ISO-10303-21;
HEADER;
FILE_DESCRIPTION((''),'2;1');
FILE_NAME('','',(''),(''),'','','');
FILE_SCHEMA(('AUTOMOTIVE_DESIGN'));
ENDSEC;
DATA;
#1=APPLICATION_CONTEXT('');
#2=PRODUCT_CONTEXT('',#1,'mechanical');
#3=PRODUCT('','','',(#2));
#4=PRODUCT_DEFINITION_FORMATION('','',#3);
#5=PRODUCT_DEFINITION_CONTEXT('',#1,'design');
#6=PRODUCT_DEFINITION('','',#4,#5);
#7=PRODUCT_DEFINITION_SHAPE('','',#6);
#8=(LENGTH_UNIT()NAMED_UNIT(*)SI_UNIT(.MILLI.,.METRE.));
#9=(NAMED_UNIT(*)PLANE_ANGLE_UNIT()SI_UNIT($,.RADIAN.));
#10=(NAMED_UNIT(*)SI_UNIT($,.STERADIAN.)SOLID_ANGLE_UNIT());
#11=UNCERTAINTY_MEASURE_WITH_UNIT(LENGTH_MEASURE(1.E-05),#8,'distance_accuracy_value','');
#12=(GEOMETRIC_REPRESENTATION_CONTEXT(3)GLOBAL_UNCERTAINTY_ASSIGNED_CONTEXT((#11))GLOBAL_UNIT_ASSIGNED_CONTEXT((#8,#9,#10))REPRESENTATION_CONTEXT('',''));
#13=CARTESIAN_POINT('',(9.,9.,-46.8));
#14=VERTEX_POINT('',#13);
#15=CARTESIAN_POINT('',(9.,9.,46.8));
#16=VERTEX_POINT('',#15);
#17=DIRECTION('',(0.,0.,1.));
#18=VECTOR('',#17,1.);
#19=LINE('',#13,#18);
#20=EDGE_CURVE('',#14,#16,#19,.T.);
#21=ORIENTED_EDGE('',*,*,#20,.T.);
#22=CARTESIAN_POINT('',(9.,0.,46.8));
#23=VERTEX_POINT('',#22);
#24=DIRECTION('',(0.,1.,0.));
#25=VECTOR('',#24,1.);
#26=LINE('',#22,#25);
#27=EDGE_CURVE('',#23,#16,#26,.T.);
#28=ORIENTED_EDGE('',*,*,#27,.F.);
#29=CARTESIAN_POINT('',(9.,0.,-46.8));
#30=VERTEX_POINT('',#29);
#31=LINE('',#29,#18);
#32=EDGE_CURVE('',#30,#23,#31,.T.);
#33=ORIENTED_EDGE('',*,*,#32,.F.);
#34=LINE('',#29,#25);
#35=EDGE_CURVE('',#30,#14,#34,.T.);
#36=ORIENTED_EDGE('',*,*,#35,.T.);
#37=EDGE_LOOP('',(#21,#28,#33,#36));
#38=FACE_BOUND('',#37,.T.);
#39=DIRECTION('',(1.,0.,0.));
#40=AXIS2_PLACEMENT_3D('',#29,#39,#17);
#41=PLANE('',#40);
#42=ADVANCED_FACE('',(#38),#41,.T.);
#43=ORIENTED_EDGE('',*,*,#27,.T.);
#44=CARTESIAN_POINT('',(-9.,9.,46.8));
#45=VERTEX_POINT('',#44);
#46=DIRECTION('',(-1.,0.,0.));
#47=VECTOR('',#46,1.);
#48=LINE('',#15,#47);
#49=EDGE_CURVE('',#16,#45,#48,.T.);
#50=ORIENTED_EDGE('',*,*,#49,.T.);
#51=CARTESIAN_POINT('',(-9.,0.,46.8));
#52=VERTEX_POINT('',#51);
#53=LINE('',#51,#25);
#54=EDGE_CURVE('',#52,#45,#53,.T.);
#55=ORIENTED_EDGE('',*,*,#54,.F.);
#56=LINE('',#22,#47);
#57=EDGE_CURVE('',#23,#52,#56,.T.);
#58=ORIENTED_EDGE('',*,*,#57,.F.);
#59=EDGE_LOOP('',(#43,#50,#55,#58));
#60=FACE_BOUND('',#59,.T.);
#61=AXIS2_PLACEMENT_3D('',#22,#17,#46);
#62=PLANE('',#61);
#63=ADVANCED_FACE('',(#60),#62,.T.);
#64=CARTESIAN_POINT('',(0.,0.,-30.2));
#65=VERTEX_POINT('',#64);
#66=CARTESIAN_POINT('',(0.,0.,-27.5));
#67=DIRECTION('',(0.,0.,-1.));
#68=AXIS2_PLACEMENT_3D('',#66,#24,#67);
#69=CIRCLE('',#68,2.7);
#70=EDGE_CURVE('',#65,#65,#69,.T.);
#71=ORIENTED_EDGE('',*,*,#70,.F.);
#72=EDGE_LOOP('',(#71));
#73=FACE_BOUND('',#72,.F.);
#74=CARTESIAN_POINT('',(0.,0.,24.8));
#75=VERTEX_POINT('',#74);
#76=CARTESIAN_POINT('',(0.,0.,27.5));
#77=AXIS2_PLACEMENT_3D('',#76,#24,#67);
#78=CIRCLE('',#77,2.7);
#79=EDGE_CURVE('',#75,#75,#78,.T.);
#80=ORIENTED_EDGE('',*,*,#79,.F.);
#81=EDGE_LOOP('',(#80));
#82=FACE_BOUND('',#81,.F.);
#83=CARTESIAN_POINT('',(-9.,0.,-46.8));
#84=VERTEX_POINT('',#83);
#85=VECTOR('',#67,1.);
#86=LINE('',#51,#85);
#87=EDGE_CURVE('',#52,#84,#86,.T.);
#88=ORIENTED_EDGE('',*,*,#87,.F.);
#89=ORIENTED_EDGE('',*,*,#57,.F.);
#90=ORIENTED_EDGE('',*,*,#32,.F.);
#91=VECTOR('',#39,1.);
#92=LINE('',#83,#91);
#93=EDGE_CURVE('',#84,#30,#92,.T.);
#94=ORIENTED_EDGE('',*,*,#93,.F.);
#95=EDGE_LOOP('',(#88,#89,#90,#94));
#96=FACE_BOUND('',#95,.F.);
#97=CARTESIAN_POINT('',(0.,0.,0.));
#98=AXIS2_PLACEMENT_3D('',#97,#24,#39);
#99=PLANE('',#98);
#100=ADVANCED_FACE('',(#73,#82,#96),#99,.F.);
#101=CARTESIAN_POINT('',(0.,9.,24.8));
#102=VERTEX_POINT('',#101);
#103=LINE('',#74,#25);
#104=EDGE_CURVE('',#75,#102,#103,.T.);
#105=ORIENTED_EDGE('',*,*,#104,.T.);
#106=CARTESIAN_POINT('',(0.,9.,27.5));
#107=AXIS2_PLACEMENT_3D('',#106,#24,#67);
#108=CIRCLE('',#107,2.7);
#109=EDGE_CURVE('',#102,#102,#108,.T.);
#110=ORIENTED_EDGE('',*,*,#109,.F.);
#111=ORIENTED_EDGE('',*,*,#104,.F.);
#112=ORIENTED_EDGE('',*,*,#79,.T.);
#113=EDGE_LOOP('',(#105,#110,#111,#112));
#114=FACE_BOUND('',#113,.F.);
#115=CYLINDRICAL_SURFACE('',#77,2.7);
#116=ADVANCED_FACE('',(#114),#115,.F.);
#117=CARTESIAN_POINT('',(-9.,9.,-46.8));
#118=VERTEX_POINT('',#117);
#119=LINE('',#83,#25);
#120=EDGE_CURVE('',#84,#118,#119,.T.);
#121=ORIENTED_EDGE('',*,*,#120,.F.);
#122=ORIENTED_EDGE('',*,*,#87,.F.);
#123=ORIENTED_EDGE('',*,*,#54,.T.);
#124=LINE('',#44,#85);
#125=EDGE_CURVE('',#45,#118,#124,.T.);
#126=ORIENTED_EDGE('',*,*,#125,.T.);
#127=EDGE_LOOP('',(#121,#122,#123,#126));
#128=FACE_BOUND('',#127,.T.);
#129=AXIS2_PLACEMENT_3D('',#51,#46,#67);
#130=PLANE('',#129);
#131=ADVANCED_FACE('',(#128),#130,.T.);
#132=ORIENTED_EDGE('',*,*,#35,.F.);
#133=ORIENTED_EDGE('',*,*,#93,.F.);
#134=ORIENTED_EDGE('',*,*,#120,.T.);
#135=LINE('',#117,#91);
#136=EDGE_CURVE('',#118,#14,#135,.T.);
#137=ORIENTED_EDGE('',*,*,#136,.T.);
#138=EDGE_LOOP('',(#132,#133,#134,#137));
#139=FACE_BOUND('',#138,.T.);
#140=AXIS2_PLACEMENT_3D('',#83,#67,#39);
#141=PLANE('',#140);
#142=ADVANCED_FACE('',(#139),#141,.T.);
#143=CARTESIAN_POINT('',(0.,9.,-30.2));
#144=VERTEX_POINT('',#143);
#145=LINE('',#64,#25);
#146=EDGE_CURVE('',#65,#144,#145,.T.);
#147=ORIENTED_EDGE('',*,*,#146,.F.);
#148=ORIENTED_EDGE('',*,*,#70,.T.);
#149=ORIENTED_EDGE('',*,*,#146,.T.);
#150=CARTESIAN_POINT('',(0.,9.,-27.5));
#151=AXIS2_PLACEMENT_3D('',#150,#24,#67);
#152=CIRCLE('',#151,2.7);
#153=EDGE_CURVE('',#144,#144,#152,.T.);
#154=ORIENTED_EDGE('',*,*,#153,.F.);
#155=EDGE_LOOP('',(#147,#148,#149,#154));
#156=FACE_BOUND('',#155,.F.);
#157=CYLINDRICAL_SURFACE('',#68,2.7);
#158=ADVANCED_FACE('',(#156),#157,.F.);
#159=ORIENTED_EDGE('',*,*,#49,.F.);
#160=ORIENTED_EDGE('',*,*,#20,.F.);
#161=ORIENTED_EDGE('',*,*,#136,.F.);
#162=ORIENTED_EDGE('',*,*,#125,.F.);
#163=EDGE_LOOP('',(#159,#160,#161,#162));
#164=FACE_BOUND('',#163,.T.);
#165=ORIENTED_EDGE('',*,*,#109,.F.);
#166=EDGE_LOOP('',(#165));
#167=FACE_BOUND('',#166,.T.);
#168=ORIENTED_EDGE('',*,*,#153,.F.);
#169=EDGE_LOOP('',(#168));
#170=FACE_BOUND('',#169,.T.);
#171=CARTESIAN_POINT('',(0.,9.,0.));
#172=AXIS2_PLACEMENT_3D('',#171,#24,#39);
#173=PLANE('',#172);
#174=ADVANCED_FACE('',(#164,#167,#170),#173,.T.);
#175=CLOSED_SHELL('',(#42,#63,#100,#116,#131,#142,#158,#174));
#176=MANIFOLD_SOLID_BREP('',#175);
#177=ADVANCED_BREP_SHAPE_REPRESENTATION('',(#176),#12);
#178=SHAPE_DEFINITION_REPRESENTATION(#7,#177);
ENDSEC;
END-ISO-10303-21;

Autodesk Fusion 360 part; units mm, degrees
sketch "Sketch1" plane through (0, 0, 0) normal (0, 1, 0) x (1, 0, 0)
  line L0 (-9, 46.8) -> (9, 46.8)
  line L1 (9, 46.8) -> (9, -46.8)
  line L2 (9, -46.8) -> (-9, -46.8)
  line L3 (-9, -46.8) -> (-9, 46.8)
  line L4 (0, 46.8) -> (0, -46.8) construction
  line L5 (0, 27.5) -> (0, -27.5) construction
  point P0 (0, 27.5)
  point P1 (0, -27.5)
  dimension "d1" = 18
  dimension "d2" = 93.6
  dimension "d3" = 55
sketch "Sketch2" plane through (0, 0, 0) normal (0, 0, 1) x (1, 0, 0)
  line L0 (9, 0) -> (-9, 0)
  line L1 (9, 0) -> (9, 9)
  line L2 (9, 9) -> (-9, 9)
  line L3 (-9, 9) -> (-9, 0)
  point P0 (9, 0)
  dimension "d4" = 9
extrude "Extrude1" add sketch "Sketch1" along normal up to surface (9 mm away)
hole "Hole1" at (0, 0, 27.5) at (0, 0, -27.5) direction (0, 1, 0) diameter 5.4 end up to surface (9 mm away)
